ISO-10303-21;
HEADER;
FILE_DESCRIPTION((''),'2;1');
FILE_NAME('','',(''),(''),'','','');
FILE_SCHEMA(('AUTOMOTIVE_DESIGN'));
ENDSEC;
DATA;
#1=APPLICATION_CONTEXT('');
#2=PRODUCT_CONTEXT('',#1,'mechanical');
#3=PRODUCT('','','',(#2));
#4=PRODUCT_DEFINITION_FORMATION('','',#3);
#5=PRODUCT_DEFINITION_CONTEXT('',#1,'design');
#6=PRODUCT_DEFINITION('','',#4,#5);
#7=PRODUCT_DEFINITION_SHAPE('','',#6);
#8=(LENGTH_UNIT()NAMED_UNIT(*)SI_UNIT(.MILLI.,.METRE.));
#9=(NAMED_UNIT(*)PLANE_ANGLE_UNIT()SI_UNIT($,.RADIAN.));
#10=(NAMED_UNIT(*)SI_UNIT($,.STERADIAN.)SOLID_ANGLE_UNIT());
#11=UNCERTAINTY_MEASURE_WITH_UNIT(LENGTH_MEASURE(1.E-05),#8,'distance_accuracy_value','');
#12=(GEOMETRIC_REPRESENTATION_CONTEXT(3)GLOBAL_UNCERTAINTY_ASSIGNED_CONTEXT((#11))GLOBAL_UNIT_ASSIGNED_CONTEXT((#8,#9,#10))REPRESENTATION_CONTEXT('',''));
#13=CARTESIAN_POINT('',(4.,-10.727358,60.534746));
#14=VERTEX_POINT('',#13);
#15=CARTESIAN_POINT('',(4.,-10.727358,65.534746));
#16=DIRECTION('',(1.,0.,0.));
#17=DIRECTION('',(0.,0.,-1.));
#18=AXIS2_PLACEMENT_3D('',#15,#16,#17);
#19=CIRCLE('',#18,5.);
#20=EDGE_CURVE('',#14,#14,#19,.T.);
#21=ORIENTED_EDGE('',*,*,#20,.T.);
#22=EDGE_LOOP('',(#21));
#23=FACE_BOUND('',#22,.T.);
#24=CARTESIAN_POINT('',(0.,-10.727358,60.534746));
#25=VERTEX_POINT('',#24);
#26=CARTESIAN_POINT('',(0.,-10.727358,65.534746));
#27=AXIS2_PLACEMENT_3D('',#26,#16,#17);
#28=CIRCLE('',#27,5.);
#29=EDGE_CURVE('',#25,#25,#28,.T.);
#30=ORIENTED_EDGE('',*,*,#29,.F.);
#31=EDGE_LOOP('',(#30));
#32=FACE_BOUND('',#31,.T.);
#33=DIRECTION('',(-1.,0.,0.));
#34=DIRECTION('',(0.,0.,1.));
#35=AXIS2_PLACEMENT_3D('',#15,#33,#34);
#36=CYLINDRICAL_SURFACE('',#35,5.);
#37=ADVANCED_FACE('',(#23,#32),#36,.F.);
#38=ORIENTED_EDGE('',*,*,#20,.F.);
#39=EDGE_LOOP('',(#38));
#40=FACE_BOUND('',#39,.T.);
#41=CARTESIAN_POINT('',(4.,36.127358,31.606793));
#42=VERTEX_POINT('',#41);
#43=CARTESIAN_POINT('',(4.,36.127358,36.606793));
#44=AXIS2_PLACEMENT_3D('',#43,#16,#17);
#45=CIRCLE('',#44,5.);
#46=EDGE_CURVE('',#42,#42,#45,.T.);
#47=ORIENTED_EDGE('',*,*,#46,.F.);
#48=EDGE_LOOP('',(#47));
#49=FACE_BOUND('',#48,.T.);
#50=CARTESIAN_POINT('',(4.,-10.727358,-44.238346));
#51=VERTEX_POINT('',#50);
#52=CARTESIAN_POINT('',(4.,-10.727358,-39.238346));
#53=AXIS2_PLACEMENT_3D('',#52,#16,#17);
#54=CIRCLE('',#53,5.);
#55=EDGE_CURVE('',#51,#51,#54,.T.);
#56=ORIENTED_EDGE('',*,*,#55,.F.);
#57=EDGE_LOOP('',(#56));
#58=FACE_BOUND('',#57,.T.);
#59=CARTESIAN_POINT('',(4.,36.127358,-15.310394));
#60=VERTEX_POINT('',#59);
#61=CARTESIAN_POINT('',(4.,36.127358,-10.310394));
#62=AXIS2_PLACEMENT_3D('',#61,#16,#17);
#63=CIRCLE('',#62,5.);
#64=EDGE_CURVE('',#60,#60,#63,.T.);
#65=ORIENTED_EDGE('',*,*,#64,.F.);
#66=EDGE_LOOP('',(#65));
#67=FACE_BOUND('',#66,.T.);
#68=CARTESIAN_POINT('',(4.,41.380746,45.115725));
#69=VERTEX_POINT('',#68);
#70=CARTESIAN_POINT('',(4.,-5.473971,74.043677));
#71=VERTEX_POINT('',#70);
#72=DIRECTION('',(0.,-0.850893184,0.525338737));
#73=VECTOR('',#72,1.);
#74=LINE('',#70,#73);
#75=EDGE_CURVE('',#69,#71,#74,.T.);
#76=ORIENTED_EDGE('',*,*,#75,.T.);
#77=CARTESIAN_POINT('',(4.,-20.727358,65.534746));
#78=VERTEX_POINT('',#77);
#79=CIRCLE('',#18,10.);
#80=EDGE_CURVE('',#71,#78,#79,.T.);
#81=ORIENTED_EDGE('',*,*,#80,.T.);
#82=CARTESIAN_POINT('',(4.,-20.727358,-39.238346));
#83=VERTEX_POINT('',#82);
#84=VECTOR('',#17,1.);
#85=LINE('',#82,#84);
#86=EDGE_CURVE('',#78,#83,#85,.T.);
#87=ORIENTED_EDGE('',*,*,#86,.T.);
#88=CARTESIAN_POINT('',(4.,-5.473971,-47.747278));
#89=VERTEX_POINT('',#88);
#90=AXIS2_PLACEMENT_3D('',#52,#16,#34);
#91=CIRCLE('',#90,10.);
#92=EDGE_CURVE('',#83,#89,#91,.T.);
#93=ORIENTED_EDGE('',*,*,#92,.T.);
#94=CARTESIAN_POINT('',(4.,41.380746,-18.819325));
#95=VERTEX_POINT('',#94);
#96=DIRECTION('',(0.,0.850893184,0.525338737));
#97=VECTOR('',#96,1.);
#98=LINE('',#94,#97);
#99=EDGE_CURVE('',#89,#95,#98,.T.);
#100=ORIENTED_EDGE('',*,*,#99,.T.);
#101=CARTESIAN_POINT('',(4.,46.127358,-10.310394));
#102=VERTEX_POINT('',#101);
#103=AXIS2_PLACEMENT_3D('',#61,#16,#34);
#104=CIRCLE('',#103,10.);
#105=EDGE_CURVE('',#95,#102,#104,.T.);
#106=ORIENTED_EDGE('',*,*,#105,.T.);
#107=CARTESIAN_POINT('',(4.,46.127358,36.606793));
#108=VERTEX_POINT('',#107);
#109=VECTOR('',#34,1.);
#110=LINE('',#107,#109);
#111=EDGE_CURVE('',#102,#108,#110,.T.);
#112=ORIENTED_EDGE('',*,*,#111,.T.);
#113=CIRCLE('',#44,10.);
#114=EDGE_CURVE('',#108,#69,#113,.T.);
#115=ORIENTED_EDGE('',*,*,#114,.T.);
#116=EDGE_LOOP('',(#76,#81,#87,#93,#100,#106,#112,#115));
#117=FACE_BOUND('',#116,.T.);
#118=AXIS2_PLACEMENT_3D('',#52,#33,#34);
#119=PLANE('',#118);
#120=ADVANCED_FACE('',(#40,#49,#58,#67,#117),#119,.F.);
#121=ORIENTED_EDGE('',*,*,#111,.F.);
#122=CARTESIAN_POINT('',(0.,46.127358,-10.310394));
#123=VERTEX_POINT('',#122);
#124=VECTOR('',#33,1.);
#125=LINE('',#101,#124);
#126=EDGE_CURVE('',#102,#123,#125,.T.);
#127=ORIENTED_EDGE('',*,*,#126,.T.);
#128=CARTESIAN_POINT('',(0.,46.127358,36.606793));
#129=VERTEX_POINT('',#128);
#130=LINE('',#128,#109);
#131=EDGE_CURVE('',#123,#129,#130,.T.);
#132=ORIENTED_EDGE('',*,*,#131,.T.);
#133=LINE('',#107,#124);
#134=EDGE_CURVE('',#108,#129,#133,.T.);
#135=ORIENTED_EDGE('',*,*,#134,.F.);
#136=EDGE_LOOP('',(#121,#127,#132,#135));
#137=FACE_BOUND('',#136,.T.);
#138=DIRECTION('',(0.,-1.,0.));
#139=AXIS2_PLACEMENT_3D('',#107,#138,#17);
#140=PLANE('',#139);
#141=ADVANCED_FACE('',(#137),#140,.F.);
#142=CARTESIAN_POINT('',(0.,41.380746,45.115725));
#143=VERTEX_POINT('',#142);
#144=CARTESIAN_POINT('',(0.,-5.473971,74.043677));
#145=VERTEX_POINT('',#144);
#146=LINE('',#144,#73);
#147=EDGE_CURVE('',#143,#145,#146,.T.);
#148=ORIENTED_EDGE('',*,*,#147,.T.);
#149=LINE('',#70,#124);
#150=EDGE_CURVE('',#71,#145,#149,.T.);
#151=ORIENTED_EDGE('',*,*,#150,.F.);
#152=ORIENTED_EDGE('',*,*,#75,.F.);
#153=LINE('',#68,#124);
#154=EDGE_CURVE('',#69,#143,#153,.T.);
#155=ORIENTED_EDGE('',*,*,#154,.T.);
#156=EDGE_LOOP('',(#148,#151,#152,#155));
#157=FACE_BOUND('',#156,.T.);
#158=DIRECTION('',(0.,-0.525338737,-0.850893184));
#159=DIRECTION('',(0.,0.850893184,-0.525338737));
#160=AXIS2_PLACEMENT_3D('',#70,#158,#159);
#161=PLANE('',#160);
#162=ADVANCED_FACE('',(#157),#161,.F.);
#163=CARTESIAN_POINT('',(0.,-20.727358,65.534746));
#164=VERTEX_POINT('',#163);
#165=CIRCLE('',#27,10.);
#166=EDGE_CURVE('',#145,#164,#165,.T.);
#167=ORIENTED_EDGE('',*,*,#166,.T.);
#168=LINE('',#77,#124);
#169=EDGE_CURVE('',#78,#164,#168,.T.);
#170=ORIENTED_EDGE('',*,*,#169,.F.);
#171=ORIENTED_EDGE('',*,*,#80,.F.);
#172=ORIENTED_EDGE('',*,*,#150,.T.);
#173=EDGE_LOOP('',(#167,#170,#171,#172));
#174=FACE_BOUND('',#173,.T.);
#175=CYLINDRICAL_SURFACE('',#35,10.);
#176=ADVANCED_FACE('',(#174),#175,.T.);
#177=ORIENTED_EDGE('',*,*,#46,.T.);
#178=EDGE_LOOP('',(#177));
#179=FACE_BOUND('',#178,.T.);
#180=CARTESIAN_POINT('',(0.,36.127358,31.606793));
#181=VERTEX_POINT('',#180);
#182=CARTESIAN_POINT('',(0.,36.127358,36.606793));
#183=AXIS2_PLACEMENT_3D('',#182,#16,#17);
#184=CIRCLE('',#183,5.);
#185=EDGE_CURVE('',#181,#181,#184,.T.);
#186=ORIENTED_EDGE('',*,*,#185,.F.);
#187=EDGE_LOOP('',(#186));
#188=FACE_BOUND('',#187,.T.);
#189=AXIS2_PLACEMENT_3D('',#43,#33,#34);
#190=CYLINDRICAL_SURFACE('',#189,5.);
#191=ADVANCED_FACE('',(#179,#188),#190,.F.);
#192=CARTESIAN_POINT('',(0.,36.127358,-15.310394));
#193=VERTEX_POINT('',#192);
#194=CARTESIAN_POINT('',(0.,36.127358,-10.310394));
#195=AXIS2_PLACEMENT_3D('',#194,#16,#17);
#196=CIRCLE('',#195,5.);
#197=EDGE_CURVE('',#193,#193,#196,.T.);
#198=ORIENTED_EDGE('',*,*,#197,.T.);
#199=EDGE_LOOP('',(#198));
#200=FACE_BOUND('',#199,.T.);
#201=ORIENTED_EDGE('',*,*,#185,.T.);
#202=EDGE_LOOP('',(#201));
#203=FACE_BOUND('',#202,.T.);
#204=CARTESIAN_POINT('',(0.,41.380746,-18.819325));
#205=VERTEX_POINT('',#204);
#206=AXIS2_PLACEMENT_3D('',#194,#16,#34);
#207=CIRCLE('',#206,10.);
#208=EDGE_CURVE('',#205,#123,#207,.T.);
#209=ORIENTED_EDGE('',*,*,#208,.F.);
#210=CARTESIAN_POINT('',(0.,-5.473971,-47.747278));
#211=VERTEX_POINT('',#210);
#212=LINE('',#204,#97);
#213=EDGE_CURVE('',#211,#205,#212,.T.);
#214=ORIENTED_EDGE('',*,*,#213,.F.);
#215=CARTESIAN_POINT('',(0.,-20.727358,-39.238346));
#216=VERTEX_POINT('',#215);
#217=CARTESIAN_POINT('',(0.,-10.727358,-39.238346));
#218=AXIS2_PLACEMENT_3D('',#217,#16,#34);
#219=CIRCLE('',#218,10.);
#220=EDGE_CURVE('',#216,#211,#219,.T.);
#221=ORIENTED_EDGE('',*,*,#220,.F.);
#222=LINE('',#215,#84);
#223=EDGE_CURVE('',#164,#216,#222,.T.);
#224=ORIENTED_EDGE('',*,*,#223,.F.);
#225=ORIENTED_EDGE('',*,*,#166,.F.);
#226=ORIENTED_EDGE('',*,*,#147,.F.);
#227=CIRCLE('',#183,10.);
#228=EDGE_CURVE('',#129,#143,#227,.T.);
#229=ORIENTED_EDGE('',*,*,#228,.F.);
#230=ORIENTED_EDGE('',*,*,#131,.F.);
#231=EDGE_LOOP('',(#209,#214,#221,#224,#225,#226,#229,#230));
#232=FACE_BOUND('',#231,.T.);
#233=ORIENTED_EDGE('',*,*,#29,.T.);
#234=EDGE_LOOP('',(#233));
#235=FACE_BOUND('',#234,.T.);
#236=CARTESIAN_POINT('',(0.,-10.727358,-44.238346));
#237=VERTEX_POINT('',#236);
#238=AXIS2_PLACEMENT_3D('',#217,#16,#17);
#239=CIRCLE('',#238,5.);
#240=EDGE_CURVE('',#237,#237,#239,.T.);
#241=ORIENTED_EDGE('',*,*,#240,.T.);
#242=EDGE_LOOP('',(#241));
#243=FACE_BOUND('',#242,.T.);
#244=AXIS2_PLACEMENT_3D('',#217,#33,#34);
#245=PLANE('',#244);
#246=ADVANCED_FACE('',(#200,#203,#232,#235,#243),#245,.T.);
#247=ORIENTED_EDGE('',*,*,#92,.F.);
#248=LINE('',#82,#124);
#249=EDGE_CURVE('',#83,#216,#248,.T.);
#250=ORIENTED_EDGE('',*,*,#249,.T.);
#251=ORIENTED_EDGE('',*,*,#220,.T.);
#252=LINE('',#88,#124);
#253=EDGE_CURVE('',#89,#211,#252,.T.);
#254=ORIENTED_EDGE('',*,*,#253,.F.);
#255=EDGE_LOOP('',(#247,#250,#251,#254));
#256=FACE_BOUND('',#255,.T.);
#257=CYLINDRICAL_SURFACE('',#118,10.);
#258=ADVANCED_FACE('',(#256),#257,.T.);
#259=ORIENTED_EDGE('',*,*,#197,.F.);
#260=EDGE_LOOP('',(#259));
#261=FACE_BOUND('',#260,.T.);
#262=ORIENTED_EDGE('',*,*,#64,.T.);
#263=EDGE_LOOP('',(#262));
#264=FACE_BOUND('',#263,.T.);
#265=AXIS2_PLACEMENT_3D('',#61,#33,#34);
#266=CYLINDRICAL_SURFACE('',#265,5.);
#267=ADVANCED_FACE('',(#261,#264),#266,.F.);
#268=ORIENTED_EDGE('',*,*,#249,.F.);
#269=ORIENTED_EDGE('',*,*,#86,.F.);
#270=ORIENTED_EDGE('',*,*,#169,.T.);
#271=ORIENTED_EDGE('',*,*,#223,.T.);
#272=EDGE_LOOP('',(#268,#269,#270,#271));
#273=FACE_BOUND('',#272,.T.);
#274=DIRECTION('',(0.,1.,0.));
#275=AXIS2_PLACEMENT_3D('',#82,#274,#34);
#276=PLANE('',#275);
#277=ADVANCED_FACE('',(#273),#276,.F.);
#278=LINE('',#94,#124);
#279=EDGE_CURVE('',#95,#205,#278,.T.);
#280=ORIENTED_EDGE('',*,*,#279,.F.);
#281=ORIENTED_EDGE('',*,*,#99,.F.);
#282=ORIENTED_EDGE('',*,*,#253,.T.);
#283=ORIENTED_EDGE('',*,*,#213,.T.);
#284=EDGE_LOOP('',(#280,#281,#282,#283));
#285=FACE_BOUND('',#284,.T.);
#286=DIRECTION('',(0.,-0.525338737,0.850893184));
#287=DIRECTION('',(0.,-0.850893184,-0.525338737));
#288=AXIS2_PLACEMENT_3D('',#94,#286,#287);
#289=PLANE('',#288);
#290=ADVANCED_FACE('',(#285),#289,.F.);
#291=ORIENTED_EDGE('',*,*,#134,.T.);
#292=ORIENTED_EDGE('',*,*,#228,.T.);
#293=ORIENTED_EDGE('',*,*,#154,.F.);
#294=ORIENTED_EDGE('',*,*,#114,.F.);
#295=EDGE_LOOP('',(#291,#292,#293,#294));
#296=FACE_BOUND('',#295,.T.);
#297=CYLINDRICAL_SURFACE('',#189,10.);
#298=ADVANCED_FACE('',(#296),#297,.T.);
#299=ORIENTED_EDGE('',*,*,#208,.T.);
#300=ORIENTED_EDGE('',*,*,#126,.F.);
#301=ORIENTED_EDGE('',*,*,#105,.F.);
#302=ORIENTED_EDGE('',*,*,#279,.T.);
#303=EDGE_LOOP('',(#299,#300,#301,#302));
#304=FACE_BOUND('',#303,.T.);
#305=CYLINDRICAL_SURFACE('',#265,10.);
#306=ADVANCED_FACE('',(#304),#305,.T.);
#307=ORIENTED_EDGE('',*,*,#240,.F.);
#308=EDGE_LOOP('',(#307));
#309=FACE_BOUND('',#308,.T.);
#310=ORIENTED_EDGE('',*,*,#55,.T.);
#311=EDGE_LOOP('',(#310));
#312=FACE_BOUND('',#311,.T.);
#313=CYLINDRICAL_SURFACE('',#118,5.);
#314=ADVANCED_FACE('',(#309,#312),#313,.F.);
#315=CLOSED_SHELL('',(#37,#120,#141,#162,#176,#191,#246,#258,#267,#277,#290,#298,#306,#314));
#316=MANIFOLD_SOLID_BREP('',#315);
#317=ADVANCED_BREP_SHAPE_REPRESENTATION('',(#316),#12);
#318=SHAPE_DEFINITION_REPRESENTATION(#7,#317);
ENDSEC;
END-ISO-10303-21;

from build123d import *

# Parameters (mm, degrees)
SKETCH1_R           = 5
BOSS_EXTRUDE1_DEPTH = 4


with BuildPart() as part:
    # Sketch1 → Boss-Extrude1 (new body)
    with BuildSketch(Plane(origin=(0, 0, 0), x_dir=(0, 0, -1), z_dir=(1, 0, 0))):
        with BuildLine():
            Line((-36.606792803, 46.127358491), (10.310393651, 46.127358491))
            ThreePointArc((10.310393651, 46.127358491), (15.182052827, 44.860452837), (18.819325493, 41.380745865))
            Line((18.819325493, 41.380745865), (47.747278282, -5.473971116))
            ThreePointArc((47.747278282, -5.473971116), (47.971440787, -15.599017667), (39.23834644, -20.727358491))
            Line((39.23834644, -20.727358491), (-65.534745592, -20.727358491))
            ThreePointArc((-65.534745592, -20.727358491), (-74.267839938, -15.599017667), (-74.043677434, -5.473971116))
            Line((-74.043677434, -5.473971116), (-45.115724645, 41.380745865))
            ThreePointArc((-45.115724645, 41.380745865), (-41.478451979, 44.860452837), (-36.606792803, 46.127358491))
        make_face()
        with Locations((-36.606792803, 36.127358491)):
            Circle(SKETCH1_R, mode=Mode.SUBTRACT)
        with Locations((10.310393651, 36.127358491)):
            Circle(SKETCH1_R, mode=Mode.SUBTRACT)
        with Locations((39.23834644, -10.727358491)):
            Circle(SKETCH1_R, mode=Mode.SUBTRACT)
        with Locations((-65.534745592, -10.727358491)):
            Circle(SKETCH1_R, mode=Mode.SUBTRACT)
    extrude(amount=BOSS_EXTRUDE1_DEPTH)


solid = part.part
